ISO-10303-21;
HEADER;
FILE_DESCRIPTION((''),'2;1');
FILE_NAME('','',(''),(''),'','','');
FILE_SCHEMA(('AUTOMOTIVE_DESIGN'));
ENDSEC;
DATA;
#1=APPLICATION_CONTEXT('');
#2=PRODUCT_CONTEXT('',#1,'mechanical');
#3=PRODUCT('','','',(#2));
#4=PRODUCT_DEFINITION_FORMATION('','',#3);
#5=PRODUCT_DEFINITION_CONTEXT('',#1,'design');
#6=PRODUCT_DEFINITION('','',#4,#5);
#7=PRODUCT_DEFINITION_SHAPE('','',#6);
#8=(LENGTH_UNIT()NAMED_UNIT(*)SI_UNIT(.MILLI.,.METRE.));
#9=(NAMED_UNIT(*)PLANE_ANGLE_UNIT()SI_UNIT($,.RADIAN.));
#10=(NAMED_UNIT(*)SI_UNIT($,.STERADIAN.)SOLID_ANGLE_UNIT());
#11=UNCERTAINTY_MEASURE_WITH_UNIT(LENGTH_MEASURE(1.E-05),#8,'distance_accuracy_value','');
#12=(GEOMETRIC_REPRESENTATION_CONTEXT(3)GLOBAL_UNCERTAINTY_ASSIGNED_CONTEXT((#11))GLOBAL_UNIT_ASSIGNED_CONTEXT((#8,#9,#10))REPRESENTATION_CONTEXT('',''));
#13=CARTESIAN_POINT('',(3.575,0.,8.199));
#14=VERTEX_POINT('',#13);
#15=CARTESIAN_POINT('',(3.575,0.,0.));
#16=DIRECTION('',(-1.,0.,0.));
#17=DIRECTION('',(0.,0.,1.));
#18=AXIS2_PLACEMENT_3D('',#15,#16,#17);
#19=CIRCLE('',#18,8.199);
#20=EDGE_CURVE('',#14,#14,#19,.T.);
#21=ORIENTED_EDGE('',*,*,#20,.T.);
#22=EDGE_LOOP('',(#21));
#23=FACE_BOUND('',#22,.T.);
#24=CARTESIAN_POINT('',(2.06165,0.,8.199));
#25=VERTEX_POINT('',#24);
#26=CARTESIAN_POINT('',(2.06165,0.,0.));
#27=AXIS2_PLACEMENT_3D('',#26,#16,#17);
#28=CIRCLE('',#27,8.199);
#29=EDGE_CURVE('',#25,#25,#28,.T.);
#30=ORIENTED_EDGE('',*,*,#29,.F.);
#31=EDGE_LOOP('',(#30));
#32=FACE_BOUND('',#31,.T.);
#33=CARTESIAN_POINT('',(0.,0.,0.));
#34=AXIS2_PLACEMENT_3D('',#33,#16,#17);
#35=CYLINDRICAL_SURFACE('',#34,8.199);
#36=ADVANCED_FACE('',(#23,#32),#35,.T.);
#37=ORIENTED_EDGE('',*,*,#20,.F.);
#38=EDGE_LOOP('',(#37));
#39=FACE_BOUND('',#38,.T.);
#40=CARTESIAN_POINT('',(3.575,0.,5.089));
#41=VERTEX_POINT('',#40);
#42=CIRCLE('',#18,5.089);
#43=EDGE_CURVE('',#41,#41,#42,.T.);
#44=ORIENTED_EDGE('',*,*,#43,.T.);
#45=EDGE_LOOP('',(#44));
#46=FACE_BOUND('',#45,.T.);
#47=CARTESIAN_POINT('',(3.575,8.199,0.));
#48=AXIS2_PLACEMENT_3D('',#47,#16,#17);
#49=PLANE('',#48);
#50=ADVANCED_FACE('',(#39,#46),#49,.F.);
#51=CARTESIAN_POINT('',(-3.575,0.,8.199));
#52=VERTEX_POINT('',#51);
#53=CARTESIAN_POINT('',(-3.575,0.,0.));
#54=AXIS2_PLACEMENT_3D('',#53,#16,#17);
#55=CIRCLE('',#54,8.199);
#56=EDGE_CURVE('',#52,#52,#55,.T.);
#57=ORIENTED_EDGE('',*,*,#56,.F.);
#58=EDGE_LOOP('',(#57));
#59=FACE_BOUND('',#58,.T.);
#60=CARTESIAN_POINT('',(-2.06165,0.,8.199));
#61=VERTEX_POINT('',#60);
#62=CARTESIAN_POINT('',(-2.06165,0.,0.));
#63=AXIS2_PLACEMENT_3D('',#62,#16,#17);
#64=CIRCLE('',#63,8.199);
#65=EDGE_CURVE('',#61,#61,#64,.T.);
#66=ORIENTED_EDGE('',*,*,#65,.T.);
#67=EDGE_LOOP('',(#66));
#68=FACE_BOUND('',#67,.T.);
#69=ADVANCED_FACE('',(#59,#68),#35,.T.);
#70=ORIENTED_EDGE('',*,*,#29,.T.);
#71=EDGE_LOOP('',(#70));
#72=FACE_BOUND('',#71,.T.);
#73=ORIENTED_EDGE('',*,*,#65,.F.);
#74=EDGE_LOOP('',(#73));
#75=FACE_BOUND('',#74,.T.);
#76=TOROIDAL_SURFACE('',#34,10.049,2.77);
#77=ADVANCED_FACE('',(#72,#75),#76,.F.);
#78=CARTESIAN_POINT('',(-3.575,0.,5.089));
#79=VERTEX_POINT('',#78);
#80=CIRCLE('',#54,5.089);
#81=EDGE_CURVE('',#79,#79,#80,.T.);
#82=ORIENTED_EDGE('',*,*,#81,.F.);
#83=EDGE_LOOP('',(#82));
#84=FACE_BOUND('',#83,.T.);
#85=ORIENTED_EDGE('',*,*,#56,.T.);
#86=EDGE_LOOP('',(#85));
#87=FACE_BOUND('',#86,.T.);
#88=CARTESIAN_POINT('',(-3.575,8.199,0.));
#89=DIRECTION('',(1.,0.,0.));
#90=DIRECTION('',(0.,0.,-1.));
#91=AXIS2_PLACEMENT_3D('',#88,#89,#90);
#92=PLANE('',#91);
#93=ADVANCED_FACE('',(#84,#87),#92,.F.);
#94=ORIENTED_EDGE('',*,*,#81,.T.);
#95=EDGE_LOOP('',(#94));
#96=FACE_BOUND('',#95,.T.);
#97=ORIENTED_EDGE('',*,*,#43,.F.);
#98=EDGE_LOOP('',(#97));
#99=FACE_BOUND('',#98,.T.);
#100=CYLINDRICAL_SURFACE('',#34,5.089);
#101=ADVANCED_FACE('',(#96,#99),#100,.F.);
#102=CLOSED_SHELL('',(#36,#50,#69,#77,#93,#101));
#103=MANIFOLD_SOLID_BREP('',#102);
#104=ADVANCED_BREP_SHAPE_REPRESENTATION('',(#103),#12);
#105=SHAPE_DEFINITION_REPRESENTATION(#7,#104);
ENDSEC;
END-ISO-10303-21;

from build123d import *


with BuildPart() as part:
    # 草图1 → 旋转1 (revolve)
    with BuildSketch(Plane.XY, mode=Mode.PRIVATE) as revolve_1_sk:
        with BuildLine():
            Line((2.061649825, 8.199), (3.575, 8.199))
            Line((3.575, 8.199), (3.575, 5.089))
            Line((3.575, 5.089), (-3.575, 5.089))
            Line((-3.575, 5.089), (-3.575, 8.199))
            Line((-3.575, 8.199), (-2.061649825, 8.199))
            ThreePointArc((-2.061649825, 8.199), (0, 7.279), (2.061649825, 8.199))
        make_face()
    revolve(revolve_1_sk.sketch.rotate(Axis((0, 0, 0), (1, 0, 0)), 90), axis=Axis((0, 0, 0), (1, 0, 0)))


solid = part.part
